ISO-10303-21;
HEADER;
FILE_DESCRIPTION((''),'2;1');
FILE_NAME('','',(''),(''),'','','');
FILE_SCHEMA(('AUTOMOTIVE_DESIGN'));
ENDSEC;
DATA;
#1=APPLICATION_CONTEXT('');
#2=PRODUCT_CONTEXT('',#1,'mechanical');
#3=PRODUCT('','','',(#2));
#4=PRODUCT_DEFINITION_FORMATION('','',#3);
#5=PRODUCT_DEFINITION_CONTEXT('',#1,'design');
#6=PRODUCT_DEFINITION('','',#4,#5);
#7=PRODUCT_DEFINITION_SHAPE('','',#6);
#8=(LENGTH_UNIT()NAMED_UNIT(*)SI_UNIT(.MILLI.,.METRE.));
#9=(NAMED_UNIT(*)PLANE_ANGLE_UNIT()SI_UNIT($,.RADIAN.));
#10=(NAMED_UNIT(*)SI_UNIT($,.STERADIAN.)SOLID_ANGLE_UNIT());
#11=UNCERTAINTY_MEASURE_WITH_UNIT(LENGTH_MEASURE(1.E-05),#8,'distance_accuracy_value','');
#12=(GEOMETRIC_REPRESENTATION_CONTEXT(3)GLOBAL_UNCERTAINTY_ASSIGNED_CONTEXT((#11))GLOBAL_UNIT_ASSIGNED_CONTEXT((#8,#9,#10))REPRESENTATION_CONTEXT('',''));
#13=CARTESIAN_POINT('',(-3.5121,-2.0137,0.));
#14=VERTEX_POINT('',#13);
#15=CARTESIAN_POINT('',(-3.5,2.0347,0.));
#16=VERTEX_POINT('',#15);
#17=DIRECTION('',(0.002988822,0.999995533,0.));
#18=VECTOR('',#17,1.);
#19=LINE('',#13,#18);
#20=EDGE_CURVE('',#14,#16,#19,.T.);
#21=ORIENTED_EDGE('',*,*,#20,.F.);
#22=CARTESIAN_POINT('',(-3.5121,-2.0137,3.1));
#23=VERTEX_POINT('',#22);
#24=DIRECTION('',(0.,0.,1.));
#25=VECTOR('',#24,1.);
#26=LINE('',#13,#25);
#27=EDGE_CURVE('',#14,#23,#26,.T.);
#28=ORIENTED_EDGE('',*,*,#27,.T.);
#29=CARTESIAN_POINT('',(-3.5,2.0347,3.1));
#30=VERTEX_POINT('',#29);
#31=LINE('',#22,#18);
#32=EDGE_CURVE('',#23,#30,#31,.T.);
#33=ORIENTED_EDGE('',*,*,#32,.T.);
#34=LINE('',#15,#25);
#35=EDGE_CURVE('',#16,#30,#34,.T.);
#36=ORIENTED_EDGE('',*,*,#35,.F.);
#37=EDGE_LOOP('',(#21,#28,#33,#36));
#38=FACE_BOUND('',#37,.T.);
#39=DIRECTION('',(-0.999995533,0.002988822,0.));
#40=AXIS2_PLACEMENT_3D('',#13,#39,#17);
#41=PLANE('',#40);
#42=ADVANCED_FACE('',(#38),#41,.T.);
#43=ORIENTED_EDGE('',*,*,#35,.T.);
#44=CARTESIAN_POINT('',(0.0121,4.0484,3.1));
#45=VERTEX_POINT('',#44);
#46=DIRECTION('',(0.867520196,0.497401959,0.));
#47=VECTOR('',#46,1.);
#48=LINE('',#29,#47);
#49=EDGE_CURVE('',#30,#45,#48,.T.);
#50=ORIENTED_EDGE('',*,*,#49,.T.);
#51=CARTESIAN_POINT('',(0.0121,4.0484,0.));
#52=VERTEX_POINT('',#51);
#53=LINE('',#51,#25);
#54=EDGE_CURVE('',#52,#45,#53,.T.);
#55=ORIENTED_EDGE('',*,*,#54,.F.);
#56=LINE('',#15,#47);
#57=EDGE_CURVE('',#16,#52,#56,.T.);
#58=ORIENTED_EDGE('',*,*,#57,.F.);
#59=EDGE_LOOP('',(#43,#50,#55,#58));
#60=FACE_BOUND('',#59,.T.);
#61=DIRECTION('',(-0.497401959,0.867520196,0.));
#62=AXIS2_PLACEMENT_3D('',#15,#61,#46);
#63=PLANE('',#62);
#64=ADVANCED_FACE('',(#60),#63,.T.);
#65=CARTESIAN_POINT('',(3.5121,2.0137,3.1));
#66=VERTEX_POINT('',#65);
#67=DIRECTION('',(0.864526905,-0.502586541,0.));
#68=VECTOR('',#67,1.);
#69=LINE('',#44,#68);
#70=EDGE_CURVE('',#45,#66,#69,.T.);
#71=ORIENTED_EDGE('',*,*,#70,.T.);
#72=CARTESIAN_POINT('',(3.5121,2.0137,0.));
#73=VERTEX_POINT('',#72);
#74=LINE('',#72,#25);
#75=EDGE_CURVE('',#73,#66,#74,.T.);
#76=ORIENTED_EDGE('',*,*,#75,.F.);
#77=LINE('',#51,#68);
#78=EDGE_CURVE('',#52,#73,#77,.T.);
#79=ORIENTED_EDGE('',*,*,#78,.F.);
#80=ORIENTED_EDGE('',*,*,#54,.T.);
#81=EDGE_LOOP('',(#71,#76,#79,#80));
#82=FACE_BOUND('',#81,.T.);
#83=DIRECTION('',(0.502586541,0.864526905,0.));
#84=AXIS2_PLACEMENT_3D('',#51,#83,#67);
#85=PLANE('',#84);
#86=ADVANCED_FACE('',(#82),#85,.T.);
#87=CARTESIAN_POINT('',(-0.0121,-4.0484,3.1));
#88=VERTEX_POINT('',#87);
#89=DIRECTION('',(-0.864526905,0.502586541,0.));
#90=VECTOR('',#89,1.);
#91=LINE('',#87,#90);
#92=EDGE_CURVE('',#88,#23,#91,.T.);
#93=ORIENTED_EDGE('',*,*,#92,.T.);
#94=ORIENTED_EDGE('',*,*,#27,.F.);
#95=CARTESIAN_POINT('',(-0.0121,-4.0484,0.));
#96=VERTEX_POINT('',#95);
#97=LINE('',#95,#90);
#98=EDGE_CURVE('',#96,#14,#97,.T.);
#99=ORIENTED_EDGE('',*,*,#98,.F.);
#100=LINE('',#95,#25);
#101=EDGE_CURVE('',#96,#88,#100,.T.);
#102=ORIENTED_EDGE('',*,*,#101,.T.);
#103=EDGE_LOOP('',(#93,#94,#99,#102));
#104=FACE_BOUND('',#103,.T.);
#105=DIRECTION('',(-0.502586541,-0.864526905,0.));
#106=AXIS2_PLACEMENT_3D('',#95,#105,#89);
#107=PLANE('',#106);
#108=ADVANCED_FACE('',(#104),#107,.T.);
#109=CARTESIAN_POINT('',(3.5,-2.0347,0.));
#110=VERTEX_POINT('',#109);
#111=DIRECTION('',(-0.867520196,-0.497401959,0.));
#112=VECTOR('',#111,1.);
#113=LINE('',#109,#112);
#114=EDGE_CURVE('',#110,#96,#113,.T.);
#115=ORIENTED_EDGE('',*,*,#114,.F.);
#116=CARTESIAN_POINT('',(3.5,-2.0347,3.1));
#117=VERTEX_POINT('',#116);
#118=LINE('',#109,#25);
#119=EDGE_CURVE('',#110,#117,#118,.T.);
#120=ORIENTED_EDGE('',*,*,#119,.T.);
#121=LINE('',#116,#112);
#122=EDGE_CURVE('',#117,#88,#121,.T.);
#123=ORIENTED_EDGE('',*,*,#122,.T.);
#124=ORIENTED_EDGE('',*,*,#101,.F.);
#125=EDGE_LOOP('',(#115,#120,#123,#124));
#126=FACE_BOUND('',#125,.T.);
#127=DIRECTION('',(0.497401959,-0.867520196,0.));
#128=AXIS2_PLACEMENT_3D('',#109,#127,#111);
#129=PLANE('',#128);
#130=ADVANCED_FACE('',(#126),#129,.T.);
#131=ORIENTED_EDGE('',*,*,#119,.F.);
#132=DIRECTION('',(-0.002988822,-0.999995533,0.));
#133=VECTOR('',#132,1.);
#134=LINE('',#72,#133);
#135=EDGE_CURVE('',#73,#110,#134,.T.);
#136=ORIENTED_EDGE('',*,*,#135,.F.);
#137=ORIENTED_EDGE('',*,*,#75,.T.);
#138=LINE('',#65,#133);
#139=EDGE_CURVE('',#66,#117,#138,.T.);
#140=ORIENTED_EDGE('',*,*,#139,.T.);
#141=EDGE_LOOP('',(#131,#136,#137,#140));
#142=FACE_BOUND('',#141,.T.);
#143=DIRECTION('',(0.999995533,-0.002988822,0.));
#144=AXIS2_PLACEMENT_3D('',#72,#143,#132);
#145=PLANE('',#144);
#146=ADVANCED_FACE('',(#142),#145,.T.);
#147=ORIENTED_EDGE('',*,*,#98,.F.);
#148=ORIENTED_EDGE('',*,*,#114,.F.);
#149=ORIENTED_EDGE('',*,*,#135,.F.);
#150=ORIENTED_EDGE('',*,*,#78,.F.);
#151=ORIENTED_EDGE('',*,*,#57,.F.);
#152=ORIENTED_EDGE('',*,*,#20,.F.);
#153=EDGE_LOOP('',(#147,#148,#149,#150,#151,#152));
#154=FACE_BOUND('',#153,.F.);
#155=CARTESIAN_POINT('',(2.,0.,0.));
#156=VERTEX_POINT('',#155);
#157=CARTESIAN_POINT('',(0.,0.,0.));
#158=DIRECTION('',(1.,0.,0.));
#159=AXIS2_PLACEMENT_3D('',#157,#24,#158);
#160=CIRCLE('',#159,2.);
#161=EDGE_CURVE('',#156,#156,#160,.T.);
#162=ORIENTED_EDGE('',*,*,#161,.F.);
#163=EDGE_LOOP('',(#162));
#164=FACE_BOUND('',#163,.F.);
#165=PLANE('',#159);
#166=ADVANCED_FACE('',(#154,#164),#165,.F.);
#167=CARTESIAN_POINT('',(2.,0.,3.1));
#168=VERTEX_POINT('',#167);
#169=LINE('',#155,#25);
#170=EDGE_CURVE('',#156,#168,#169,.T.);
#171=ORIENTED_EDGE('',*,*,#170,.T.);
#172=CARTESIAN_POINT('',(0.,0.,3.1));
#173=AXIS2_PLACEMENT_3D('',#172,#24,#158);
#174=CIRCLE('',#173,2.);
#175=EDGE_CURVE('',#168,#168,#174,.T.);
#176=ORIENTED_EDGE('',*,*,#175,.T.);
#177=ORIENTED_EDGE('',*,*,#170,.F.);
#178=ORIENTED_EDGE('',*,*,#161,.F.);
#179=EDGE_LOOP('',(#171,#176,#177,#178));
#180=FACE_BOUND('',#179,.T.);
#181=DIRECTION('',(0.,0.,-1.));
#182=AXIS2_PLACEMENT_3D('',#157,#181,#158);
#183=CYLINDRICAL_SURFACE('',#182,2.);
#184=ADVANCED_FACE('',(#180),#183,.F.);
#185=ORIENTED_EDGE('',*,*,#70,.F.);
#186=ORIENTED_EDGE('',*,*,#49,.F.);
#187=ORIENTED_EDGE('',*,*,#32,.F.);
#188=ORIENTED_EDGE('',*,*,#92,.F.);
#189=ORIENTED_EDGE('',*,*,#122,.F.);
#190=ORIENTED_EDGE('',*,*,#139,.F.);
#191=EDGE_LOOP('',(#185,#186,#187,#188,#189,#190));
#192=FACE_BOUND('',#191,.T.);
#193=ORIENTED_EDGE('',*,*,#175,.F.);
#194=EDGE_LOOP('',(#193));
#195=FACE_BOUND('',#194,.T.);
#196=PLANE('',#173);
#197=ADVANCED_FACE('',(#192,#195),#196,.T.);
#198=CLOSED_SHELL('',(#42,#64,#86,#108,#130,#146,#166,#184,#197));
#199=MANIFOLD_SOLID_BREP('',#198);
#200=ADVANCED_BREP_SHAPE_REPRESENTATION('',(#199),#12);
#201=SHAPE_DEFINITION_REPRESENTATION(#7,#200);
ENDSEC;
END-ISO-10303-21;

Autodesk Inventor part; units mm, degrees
ref_plane "YZ Plane" through (0, 0, 0) normal (1, 0, 0) x (0, 1, 0)
ref_plane "XZ Plane" through (0, 0, 0) normal (0, 1, 0) x (-1, 0, 0)
ref_plane "XY Plane" through (0, 0, 0) normal (0, 0, 1) x (1, 0, 0)
sketch "Sketch1" plane through (0, 0, 0) normal (0, 0, 1) x (1, 0, 0)
  line L0 (3.5, -2.0347) -> (-0.0121, -4.0484)
  line L1 (-0.0121, -4.0484) -> (-3.5121, -2.0137)
  line L2 (-3.5121, -2.0137) -> (-3.5, 2.0347)
  line L3 (-3.5, 2.0347) -> (0.0121, 4.0484)
  line L4 (0.0121, 4.0484) -> (3.5121, 2.0137)
  line L5 (3.5121, 2.0137) -> (3.5, -2.0347)
  circle A0 centre (0, 0) radius 2
  point P0 (3.5, 0)
  dimension "d0" = 3.5
  dimension "d1" = 4
extrude "Extrusion1" add sketch "Sketch1" along normal blind 3.1
properties part number "m4nut"
